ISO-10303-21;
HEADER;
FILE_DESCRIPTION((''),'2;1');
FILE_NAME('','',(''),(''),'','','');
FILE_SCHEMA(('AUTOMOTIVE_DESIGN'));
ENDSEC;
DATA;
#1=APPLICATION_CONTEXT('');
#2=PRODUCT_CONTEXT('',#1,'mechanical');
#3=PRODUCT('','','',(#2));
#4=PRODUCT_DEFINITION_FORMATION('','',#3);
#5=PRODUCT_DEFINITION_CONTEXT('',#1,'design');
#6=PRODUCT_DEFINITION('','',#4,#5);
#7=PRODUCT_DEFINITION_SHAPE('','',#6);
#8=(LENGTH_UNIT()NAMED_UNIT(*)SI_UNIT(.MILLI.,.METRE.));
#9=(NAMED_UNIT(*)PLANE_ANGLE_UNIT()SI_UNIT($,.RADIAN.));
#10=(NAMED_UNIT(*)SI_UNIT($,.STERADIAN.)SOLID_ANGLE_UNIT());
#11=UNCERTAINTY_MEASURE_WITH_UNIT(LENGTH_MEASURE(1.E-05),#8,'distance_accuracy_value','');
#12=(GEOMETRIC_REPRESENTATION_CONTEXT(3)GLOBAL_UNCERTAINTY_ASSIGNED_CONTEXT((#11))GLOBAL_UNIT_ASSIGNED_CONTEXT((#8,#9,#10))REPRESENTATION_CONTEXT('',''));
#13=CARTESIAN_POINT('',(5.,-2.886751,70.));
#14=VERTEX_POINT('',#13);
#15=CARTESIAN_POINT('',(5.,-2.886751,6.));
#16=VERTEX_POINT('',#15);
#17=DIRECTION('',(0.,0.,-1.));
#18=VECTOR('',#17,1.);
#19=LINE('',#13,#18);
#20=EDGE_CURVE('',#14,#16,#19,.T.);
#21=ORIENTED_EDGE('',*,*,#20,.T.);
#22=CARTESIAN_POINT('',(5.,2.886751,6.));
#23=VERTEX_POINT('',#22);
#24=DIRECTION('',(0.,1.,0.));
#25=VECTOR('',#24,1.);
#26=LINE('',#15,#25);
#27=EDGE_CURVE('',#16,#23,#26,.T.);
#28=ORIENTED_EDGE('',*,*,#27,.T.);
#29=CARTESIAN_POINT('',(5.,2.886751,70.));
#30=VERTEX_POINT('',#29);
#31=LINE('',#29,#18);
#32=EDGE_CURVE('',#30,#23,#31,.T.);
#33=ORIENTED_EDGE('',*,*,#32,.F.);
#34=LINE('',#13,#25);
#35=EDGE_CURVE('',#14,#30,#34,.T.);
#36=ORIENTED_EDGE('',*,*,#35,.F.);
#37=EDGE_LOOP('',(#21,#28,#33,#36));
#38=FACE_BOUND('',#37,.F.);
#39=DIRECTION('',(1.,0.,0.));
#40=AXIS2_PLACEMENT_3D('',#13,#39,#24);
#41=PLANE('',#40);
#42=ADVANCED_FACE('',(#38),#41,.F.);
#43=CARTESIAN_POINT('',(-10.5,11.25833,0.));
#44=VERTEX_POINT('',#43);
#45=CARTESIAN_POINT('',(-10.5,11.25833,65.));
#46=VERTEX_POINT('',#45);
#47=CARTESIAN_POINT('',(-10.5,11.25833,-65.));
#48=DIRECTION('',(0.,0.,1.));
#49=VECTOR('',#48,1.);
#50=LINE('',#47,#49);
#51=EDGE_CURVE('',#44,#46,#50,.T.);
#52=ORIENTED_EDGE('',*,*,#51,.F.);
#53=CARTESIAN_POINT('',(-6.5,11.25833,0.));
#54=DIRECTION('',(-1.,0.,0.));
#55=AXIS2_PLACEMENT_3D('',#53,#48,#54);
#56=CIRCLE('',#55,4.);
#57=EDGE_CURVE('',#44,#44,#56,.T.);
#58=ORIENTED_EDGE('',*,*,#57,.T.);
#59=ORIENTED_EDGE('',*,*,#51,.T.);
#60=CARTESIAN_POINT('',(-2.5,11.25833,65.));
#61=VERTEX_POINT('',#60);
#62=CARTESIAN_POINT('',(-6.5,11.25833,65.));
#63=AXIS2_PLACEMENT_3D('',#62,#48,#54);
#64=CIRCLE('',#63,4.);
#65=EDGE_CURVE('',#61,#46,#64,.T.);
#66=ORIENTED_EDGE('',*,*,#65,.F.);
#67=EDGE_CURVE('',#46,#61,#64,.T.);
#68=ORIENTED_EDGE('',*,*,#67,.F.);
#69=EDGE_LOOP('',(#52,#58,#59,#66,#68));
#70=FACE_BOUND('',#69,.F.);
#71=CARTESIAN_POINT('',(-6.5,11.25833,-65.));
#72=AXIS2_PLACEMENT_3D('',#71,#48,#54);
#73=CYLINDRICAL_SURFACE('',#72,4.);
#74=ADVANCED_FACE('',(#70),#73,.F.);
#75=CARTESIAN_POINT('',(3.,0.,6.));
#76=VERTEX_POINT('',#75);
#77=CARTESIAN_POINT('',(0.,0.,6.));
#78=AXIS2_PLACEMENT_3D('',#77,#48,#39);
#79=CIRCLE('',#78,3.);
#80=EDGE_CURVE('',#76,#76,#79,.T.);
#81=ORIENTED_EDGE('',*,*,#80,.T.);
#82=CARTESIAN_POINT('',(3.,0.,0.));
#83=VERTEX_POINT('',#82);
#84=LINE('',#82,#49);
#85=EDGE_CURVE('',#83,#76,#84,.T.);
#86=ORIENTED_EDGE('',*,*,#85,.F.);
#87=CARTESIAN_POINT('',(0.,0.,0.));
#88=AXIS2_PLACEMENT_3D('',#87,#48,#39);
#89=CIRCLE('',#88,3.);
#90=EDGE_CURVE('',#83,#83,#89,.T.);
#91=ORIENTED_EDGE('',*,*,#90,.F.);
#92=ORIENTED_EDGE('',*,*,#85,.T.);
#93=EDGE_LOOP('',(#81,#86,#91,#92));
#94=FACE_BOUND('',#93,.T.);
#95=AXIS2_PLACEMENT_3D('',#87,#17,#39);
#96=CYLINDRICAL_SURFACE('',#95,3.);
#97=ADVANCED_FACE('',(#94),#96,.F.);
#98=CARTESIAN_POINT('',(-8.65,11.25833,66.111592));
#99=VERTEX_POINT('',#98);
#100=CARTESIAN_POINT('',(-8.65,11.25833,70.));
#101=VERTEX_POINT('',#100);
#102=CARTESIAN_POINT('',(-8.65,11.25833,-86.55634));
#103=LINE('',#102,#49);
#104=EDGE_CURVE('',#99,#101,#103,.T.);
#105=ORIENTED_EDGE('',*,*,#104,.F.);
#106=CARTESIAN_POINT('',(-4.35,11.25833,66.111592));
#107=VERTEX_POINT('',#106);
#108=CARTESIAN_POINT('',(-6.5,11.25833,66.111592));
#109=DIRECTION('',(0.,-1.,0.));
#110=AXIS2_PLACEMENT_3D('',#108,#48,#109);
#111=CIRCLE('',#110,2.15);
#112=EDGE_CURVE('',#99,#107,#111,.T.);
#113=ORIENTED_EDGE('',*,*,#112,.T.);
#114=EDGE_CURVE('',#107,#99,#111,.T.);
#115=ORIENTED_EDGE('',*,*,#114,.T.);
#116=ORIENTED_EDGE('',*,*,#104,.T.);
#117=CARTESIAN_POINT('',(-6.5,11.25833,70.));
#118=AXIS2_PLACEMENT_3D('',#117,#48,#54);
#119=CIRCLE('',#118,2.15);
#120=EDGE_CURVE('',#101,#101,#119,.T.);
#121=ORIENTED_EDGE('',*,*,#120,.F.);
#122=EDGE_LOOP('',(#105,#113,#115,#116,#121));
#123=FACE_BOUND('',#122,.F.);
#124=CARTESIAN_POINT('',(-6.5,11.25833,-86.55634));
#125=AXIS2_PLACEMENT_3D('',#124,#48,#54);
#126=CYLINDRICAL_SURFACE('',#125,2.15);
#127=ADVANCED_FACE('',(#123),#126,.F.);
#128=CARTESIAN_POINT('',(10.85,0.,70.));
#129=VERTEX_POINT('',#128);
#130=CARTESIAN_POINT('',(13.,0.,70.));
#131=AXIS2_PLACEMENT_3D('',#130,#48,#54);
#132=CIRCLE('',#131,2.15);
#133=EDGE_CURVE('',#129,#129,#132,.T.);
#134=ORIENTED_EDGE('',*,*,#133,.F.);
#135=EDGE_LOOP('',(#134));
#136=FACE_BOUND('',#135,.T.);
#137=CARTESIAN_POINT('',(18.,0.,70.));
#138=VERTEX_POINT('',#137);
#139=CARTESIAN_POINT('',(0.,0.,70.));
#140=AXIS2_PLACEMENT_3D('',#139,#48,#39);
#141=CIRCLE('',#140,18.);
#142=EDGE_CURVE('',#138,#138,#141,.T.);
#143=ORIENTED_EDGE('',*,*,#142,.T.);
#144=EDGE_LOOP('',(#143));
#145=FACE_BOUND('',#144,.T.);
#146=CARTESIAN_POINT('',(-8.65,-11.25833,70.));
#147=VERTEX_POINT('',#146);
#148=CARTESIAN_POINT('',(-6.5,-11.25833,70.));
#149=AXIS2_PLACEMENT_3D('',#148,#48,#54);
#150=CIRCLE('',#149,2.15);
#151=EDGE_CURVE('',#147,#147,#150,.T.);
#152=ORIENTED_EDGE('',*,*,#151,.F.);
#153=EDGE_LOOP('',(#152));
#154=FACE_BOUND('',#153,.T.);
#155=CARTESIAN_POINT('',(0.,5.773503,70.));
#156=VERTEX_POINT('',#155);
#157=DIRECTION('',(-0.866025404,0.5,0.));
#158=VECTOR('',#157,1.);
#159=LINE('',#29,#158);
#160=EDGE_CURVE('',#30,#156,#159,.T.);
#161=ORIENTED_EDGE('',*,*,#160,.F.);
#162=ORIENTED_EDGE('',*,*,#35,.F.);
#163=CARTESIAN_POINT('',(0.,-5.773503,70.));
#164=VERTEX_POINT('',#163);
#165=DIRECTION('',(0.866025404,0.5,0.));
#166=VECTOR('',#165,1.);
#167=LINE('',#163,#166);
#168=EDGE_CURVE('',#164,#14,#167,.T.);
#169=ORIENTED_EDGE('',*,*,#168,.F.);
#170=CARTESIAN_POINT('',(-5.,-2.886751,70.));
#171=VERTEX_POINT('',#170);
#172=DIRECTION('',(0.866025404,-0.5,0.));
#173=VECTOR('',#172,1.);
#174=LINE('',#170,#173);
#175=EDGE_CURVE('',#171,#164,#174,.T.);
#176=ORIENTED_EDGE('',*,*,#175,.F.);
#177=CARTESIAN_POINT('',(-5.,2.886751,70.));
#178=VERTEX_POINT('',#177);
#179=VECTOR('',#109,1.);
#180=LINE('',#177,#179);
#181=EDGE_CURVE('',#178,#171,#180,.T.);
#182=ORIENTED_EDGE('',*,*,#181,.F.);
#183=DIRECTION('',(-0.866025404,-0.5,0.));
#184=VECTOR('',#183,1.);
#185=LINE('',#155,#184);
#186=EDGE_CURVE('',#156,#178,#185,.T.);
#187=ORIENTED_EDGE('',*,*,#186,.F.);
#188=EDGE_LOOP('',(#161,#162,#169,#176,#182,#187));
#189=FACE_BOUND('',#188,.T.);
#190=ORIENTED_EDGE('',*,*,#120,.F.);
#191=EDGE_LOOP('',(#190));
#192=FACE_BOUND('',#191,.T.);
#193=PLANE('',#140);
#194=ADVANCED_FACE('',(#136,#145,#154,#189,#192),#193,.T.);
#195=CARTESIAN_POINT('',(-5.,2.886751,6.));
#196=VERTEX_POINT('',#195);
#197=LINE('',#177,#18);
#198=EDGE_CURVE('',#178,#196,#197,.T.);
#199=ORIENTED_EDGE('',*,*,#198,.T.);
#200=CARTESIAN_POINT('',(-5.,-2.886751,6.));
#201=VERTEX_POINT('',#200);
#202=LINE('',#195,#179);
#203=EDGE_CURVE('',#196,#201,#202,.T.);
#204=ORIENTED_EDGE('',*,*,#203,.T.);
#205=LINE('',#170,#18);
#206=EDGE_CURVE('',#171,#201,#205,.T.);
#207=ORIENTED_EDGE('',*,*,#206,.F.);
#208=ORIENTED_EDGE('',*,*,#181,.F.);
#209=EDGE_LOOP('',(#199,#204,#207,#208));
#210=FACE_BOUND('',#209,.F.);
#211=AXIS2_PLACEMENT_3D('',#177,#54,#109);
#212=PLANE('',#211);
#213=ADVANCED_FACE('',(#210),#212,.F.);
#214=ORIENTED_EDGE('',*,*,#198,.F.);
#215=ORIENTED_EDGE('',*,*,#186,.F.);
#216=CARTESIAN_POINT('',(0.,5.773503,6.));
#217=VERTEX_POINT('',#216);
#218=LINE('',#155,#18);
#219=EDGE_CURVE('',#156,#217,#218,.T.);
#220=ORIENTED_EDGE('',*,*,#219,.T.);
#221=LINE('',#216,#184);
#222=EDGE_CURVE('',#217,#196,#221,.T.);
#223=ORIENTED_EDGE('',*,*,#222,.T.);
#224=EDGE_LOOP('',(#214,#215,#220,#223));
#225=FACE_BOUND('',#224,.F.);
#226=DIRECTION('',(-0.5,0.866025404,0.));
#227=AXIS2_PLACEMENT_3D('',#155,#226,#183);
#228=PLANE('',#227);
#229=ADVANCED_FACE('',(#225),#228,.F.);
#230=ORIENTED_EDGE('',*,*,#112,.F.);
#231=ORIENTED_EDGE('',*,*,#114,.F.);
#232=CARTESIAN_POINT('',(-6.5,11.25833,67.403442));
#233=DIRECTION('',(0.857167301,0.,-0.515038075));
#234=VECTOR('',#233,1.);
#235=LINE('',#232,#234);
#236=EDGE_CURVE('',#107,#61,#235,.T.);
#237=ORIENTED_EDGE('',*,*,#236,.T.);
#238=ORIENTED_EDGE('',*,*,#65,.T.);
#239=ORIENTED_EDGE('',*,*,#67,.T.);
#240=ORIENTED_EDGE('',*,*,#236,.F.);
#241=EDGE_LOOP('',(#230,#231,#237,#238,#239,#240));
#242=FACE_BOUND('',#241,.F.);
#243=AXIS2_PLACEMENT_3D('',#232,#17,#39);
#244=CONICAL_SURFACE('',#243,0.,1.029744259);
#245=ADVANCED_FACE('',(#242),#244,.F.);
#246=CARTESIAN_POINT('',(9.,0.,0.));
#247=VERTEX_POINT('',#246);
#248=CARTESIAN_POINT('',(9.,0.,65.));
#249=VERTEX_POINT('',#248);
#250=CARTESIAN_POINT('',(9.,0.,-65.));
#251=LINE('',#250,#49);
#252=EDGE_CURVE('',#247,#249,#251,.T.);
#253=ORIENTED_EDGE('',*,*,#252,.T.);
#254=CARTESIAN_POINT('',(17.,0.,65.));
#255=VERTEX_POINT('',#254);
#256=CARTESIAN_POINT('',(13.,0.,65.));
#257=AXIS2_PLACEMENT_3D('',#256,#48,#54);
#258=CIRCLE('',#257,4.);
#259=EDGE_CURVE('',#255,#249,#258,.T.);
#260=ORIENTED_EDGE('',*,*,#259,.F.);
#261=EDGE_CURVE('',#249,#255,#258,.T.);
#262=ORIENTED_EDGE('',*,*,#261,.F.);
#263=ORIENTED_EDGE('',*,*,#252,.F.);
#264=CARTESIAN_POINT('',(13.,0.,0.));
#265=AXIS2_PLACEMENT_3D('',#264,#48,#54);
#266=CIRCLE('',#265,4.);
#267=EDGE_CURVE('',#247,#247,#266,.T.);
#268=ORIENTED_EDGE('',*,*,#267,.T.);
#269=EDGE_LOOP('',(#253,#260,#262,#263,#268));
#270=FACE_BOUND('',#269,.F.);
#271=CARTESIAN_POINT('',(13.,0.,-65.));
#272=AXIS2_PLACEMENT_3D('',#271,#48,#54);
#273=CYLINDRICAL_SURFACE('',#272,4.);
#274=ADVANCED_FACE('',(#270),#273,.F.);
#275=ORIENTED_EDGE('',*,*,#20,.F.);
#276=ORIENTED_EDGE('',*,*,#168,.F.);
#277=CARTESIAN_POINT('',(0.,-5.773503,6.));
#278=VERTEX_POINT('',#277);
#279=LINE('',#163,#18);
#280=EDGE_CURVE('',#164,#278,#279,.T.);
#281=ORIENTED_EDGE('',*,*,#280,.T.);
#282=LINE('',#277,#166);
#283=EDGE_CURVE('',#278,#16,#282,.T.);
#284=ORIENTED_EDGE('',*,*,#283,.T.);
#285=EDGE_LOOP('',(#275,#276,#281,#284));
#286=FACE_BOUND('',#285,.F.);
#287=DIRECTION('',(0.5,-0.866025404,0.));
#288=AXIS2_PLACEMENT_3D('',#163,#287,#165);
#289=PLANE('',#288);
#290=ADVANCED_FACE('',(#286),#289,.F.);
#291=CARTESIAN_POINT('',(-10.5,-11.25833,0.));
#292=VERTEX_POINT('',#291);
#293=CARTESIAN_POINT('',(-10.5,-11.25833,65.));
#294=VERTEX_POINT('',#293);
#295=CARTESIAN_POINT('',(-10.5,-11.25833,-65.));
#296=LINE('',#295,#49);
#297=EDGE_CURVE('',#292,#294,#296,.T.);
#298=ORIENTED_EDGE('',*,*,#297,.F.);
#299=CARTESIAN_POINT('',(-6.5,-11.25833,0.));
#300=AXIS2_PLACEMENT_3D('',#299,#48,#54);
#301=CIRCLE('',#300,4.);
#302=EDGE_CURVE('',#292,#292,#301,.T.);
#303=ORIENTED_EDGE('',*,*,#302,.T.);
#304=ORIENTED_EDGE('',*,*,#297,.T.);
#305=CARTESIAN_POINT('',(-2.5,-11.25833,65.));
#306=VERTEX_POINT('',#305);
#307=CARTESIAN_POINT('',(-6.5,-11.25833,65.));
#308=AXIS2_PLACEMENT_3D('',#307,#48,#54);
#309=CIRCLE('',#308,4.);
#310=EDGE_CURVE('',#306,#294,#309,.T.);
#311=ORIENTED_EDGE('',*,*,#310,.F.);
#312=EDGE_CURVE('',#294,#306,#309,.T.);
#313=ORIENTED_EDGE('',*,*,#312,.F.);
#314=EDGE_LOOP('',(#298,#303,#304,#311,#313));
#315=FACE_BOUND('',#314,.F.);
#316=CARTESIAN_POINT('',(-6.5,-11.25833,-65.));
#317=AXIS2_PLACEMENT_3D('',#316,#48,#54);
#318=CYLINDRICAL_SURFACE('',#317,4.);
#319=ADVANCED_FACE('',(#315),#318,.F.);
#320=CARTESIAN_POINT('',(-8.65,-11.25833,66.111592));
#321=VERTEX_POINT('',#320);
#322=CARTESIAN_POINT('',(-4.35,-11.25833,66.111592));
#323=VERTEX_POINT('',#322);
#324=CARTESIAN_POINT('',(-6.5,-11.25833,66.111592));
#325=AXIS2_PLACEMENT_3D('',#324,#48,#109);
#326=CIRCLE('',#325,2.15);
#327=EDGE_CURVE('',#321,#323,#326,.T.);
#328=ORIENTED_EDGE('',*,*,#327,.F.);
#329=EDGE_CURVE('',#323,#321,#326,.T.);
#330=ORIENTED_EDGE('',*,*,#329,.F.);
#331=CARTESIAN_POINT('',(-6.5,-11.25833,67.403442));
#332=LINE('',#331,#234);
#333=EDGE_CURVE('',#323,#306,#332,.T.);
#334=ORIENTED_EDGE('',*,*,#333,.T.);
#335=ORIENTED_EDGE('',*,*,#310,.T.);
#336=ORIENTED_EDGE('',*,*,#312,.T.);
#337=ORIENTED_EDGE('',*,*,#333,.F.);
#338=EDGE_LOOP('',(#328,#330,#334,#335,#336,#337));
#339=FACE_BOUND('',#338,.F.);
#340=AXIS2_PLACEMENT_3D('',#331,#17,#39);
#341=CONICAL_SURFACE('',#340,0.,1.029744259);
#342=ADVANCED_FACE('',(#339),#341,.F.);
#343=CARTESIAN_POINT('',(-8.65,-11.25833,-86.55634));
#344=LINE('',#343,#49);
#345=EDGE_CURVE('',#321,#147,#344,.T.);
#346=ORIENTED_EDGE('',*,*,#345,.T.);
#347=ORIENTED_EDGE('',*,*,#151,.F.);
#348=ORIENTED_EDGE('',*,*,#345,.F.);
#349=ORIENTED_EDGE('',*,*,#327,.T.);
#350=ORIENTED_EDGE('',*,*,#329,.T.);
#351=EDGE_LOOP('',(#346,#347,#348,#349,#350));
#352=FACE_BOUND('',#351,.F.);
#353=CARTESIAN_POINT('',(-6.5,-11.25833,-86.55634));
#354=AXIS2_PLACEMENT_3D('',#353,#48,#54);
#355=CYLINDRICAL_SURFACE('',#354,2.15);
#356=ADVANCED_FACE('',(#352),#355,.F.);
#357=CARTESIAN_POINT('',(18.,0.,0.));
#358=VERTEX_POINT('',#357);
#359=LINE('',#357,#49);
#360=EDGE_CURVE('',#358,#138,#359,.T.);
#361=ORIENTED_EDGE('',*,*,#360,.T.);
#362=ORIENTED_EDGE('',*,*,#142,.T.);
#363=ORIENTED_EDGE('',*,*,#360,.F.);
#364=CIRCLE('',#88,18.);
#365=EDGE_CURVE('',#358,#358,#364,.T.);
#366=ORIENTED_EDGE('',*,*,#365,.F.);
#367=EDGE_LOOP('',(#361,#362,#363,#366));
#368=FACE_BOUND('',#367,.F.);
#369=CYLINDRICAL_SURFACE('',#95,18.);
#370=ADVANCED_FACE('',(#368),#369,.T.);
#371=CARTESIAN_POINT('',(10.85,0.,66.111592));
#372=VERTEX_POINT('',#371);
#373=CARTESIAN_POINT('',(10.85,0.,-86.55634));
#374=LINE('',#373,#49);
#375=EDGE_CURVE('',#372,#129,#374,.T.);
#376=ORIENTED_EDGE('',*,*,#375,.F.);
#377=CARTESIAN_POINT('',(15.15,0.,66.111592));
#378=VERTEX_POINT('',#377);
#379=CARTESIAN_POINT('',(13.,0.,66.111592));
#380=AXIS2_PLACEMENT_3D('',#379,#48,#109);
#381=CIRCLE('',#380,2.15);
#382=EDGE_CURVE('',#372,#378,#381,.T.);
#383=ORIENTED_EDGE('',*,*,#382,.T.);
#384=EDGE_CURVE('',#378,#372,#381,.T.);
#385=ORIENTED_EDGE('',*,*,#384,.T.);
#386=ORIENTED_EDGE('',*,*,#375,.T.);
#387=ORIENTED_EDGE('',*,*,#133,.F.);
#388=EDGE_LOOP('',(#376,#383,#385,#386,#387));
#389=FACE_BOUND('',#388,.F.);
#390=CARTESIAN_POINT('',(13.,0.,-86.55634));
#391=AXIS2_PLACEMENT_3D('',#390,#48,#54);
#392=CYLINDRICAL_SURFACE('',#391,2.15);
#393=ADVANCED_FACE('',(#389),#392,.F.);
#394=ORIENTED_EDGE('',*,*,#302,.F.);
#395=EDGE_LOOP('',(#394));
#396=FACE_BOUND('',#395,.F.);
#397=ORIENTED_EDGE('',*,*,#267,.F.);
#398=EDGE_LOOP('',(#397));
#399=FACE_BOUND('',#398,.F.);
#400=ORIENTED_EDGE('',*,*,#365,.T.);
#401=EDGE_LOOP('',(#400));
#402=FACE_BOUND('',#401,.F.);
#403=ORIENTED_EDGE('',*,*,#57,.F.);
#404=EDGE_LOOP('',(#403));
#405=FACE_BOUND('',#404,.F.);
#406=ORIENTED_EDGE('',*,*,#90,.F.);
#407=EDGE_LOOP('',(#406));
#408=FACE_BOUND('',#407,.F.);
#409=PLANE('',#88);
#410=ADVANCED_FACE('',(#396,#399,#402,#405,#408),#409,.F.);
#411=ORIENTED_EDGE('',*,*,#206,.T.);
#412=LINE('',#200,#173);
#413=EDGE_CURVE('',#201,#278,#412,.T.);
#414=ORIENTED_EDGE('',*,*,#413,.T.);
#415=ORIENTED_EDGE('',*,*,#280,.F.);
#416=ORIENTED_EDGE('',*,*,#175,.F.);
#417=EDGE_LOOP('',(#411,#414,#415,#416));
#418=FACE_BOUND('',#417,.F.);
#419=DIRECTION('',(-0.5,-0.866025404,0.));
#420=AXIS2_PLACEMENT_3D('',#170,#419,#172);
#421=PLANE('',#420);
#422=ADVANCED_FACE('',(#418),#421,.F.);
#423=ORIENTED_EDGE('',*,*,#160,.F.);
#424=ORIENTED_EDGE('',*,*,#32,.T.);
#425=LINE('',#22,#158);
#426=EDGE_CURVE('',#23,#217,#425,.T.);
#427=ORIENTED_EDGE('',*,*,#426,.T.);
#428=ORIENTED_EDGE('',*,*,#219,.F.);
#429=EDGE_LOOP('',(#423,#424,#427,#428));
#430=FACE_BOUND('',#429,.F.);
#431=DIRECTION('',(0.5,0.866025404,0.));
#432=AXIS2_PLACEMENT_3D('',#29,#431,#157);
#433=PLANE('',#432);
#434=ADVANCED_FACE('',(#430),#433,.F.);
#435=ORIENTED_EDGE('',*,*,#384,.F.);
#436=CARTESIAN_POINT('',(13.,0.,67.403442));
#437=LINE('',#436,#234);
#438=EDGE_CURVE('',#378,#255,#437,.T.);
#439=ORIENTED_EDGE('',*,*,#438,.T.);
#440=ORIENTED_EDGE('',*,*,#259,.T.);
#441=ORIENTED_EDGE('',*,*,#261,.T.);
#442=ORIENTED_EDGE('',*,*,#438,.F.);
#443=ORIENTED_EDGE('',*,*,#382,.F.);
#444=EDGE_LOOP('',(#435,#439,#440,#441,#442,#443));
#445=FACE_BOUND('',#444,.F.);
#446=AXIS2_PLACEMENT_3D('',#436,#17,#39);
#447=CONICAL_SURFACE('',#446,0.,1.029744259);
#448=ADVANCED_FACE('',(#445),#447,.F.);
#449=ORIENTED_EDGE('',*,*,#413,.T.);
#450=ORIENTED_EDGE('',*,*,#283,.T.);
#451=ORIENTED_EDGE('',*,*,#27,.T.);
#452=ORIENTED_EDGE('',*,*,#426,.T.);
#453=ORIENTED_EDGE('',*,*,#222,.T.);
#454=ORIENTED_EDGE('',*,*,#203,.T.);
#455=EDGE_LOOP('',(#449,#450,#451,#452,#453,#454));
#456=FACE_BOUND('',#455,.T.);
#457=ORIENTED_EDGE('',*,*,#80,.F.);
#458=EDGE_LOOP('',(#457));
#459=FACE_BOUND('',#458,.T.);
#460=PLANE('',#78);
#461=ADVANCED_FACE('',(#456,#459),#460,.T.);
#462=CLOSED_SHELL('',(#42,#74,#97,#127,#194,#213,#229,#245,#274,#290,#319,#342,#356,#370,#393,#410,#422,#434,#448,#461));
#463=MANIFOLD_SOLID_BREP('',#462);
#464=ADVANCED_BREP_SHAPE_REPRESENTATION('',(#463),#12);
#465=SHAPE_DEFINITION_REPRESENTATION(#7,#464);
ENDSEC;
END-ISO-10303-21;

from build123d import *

# Parameters (mm, degrees)
F0_R     = 18
F0_R_2   = 3
F1_DEPTH = 70
F2_R     = 3
F3_DEPTH = 64
F4_D     = 4.3
F5_D     = 8
F5_DEPTH = 65
F5_TIP   = 2.4034424761


with BuildPart() as f1:
    # F0 (on Top) → F1 (new body)
    with BuildSketch(Plane.XY):
        Circle(F0_R)
        Circle(F0_R_2, mode=Mode.SUBTRACT)
    extrude(amount=F1_DEPTH)

    # F2 (on face) → F3 (cut)
    with BuildSketch(Plane.XY.offset(70)):
        Polygon((5, -2.8867513459), (5, 2.8867513459), (0, 5.7735026919), (-5, 2.8867513459), (-5, -2.8867513459), (0, -5.7735026919), align=None)
        Circle(F2_R, mode=Mode.SUBTRACT)
    extrude(amount=-F3_DEPTH, mode=Mode.SUBTRACT)

    # F4 (through all)
    with Locations(Plane(origin=(0, 0, 0), x_dir=(1, 0, 0), z_dir=(0, 0, -1))):
        with Locations((13, 0), (-6.5, -11.2583302492), (-6.5, 11.2583302492)):
            Hole(F4_D / 2)

    # F5
    with Locations(Plane(origin=(0, 0, 0), x_dir=(1, 0, 0), z_dir=(0, 0, -1))):
        with Locations((13, 0), (-6.5, -11.2583302492), (-6.5, 11.2583302492)):
            Hole(F5_D / 2, depth=F5_DEPTH)
            with Locations((0, 0, -(F5_DEPTH + F5_TIP / 2))):  # 118° drill point
                Cone(0, F5_D / 2, F5_TIP, mode=Mode.SUBTRACT)


solid = f1.part
